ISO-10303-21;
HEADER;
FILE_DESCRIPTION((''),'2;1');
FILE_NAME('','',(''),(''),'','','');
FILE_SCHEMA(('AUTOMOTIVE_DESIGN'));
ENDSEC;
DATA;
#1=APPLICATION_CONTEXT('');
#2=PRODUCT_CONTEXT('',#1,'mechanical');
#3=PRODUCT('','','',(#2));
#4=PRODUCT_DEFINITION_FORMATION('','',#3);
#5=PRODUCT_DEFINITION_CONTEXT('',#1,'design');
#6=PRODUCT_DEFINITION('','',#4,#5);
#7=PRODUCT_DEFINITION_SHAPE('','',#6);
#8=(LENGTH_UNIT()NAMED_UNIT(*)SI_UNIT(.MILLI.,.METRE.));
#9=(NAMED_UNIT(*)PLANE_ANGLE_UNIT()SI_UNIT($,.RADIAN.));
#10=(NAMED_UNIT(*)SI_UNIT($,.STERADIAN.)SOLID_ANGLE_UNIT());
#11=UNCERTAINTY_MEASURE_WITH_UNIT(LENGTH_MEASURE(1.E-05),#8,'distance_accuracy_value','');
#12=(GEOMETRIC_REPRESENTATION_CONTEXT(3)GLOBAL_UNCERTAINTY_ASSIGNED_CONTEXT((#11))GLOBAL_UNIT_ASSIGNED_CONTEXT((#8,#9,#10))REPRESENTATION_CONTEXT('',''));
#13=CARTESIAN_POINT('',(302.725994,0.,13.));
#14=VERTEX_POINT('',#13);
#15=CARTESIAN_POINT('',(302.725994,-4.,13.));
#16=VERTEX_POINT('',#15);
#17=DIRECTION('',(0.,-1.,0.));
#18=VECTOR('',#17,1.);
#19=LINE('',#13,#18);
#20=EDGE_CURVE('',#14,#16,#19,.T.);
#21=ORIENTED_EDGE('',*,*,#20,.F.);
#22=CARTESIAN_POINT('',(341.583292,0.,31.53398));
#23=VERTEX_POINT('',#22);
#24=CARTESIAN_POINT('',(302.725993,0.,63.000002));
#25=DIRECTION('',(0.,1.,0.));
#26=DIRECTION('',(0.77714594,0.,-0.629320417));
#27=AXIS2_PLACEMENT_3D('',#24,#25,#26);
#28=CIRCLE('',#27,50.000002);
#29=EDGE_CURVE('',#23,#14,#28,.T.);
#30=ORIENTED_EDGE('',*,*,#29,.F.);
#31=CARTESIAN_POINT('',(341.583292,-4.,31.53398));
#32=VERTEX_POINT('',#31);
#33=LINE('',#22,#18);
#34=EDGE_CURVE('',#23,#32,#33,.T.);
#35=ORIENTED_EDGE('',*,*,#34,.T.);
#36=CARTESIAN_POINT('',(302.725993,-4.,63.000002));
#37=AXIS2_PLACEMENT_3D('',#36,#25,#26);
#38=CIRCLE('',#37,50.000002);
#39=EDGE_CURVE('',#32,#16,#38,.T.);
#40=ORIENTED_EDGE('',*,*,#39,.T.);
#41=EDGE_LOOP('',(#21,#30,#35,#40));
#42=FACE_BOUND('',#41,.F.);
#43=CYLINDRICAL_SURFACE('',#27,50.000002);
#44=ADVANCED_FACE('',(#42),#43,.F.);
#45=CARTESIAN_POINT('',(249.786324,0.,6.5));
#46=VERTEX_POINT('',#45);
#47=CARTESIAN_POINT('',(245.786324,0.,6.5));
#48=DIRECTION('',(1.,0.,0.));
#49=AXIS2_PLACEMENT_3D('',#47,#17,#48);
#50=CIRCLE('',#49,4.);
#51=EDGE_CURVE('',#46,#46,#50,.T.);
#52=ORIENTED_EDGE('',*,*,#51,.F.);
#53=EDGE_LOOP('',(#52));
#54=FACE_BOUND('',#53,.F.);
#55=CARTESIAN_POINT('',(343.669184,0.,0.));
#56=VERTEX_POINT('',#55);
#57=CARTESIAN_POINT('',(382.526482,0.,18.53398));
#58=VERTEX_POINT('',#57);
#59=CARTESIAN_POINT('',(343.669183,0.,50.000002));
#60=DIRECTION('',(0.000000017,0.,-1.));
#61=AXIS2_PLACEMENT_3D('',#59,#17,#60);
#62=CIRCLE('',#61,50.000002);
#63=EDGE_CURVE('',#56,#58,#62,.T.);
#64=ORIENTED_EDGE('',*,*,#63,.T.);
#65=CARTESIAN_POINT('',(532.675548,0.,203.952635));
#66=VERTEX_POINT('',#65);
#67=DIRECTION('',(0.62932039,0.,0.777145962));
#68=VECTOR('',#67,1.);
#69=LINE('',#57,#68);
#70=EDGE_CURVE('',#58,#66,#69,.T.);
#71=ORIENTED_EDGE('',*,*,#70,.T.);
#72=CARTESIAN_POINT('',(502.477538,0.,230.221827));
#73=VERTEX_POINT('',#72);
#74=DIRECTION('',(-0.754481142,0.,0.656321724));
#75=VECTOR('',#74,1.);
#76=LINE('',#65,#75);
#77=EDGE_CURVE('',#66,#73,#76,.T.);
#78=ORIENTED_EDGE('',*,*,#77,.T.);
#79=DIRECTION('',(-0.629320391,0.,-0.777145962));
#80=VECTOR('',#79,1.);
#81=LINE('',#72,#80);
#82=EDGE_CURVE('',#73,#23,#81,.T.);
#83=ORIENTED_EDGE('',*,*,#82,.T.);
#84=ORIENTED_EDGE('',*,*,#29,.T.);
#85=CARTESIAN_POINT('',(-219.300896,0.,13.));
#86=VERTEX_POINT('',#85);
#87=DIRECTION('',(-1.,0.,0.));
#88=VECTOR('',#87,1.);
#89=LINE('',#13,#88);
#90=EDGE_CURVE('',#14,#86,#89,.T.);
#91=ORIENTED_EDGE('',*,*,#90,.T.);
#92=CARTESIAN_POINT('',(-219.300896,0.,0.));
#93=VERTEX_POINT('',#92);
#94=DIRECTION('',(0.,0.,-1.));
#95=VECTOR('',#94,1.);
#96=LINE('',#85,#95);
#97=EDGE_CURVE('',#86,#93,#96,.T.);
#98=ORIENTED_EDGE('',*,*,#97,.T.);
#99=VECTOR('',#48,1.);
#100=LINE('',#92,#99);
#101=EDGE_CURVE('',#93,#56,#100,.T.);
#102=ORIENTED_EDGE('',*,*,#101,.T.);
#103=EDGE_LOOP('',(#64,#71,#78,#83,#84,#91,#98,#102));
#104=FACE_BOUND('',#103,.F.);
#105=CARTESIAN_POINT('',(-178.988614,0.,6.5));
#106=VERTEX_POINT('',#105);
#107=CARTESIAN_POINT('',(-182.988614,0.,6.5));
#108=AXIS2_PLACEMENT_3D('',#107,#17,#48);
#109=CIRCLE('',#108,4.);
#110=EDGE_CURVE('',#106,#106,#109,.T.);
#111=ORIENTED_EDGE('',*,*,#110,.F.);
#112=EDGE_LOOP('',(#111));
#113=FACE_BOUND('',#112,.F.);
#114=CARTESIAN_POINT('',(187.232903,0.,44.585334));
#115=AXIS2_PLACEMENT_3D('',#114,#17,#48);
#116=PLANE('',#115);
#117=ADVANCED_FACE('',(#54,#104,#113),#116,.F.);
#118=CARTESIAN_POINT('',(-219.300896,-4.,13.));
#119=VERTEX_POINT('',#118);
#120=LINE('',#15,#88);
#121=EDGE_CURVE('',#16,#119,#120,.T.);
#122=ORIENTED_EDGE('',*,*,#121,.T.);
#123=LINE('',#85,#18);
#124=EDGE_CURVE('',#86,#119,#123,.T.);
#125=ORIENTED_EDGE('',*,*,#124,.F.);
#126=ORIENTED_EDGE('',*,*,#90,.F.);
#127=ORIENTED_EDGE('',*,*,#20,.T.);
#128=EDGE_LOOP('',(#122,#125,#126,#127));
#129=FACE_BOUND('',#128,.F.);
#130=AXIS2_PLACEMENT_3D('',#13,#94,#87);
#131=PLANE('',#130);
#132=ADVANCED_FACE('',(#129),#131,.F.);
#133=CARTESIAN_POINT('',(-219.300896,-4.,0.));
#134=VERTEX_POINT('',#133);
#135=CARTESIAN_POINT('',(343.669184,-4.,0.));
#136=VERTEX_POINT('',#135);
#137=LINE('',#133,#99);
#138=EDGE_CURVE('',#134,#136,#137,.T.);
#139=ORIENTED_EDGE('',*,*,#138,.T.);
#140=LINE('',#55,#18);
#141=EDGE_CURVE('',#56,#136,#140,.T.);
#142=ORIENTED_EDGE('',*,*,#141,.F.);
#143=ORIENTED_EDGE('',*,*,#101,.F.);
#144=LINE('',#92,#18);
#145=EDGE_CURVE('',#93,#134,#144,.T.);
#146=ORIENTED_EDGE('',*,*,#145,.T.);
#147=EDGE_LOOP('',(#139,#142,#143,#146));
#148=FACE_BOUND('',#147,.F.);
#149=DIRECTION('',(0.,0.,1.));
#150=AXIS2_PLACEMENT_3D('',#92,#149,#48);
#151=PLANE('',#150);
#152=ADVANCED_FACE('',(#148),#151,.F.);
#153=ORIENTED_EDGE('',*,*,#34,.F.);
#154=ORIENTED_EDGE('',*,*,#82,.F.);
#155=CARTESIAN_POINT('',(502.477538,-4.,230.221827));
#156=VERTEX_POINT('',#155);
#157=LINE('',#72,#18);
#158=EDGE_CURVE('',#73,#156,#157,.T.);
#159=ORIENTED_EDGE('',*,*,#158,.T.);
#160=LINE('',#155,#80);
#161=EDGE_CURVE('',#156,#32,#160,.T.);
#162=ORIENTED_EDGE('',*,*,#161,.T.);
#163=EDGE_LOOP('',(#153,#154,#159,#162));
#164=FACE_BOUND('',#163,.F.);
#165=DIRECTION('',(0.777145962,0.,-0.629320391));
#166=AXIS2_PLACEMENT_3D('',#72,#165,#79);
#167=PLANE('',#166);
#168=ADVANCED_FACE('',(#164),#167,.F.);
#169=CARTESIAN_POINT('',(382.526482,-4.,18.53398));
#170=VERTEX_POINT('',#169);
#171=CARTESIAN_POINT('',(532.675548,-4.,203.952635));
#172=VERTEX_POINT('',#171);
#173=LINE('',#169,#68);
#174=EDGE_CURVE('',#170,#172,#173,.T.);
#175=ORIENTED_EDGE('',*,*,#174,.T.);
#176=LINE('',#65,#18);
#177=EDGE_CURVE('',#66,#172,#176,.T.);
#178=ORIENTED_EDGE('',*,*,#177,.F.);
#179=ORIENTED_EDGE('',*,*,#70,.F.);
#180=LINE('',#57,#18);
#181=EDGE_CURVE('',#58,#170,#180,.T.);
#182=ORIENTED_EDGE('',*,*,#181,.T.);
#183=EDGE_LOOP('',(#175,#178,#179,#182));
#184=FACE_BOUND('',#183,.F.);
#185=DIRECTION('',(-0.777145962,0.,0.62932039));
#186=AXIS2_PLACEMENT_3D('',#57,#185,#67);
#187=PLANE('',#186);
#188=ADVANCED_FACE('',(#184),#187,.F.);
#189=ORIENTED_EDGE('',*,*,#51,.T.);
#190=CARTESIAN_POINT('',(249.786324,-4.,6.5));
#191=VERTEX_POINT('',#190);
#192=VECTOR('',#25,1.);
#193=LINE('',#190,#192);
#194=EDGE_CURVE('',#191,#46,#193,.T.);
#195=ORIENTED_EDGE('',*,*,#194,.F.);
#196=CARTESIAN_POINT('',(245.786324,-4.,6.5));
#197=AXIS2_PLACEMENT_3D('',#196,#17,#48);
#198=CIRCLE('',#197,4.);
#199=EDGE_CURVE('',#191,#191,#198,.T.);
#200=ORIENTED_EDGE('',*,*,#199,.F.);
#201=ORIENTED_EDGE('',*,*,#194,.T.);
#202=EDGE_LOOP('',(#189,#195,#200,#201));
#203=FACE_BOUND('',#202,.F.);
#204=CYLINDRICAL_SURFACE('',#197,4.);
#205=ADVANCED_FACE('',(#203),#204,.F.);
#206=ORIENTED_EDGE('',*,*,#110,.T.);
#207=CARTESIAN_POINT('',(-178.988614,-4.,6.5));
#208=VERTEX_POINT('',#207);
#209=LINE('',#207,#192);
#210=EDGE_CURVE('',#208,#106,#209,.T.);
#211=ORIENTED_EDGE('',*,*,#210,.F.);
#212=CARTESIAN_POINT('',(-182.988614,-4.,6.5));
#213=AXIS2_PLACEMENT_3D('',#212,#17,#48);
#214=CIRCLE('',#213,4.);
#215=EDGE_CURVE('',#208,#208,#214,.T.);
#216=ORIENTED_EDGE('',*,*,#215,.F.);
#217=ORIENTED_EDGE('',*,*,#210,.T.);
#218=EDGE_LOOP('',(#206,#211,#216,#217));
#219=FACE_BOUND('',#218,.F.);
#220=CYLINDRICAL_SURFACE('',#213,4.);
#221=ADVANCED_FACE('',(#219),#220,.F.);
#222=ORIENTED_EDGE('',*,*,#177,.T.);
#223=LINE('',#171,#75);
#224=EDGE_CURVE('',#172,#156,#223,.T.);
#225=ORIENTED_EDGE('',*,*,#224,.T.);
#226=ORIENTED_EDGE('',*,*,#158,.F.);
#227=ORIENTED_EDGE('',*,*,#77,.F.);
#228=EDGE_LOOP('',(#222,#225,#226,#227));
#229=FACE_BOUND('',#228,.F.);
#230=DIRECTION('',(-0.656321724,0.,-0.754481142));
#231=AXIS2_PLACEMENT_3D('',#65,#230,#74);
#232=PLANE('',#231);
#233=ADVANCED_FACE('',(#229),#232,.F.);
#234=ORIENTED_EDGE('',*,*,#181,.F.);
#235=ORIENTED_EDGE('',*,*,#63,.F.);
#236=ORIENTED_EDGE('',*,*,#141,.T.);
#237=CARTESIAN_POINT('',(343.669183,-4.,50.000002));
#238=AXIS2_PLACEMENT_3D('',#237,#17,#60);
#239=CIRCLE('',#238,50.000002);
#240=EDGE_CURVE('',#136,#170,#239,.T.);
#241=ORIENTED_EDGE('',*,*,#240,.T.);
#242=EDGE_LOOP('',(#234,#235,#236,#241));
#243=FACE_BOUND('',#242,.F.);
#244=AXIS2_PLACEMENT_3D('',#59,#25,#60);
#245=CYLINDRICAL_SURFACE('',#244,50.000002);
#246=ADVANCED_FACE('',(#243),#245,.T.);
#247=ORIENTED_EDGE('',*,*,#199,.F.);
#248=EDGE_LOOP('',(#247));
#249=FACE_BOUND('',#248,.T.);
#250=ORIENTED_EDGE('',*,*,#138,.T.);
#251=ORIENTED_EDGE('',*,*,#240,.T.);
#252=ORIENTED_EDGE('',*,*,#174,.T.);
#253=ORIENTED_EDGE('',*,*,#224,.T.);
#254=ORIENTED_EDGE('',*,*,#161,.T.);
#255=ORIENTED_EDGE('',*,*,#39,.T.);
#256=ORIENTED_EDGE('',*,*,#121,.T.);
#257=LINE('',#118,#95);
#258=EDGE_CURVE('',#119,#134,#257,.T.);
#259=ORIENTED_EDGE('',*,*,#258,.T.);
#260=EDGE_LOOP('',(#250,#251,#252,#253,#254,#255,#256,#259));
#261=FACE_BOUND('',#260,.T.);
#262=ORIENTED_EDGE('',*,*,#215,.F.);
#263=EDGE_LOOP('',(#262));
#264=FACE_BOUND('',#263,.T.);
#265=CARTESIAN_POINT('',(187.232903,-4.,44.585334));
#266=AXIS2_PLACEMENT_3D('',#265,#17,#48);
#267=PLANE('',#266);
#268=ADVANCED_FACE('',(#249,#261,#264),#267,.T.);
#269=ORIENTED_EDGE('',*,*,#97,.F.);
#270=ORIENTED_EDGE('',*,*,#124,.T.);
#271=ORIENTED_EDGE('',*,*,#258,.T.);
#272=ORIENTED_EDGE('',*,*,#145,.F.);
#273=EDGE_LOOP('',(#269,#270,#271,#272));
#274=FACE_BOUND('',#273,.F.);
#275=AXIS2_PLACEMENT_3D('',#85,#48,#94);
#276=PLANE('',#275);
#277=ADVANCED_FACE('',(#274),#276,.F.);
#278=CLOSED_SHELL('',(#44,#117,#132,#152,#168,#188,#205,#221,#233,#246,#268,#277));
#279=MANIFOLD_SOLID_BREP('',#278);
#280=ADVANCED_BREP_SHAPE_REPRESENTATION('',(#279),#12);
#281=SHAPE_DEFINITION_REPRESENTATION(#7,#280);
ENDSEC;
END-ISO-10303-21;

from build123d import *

# Parameters (mm, degrees)
F1_DEPTH = 4
F2_R     = 4
F3_DEPTH = 25


with BuildPart() as f1:
    # F0 (on Front) → F1 (new body)
    with BuildSketch(Plane.XZ):
        with BuildLine():
            Line((-219.300896, 13), (-219.300896, 0))
            Line((-219.300896, 0), (343.669184, 0))
            ThreePointArc((343.669184, 0), (365.194739, 4.870736), (382.526482, 18.53398))
            Line((382.526482, 18.53398), (532.675548, 203.952635))
            Line((532.675548, 203.952635), (502.477538, 230.221827))
            Line((502.477538, 230.221827), (341.583292, 31.53398))
            ThreePointArc((341.583292, 31.53398), (324.251549, 17.870736), (302.725994, 13))
            Line((302.725994, 13), (-219.300896, 13))
        make_face()
    extrude(amount=F1_DEPTH)

    # F2 (on face) → F3 (cut)
    with BuildSketch(Plane.XZ.offset(4)):
        with Locations((245.786324, 6.5)):
            Circle(F2_R)
        with Locations((-182.988614, 6.5)):
            Circle(F2_R)
    extrude(amount=-F3_DEPTH, mode=Mode.SUBTRACT)


solid = f1.part
